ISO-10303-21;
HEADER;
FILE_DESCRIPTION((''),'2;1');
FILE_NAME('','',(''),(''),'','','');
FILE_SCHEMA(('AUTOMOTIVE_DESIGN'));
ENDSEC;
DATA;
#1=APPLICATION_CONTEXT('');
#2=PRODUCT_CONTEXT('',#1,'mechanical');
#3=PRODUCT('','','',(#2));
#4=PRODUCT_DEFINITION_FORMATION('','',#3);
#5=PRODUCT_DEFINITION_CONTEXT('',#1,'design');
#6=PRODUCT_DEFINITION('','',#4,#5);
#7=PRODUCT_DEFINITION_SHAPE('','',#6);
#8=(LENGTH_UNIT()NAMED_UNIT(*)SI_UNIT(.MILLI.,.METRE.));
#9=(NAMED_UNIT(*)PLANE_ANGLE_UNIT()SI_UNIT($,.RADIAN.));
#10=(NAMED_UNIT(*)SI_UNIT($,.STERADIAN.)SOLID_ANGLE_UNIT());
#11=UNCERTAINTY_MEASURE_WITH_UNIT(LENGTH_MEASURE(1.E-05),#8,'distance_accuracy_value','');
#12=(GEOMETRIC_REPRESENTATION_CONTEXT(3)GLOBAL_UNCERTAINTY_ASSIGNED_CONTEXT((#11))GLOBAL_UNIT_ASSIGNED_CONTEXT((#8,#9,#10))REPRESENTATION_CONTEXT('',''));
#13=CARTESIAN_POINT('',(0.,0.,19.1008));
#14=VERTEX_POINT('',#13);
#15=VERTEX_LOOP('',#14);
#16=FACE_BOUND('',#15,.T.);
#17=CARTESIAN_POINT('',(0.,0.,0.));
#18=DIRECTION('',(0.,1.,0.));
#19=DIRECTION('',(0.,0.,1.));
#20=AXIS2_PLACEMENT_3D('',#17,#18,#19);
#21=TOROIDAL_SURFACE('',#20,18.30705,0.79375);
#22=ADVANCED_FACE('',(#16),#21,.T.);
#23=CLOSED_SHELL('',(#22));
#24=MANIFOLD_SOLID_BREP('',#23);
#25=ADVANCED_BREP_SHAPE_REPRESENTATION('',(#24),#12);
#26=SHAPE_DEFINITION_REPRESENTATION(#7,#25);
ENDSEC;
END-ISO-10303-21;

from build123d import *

# Parameters (mm, degrees)
SKETCH1_R = 0.79375


with BuildPart() as part:
    # Sketch1 → Revolve1 (revolve)
    with BuildSketch(Plane.XY, mode=Mode.PRIVATE) as revolve1_sk:
        with Locations((-18.30705, 0)):
            Circle(SKETCH1_R)
    revolve(revolve1_sk.sketch.rotate(Axis((0, 3.610450396, 0), (0, -1, 0)), 270), axis=Axis((0, 3.610450396, 0), (0, -1, 0)))


solid = part.part
